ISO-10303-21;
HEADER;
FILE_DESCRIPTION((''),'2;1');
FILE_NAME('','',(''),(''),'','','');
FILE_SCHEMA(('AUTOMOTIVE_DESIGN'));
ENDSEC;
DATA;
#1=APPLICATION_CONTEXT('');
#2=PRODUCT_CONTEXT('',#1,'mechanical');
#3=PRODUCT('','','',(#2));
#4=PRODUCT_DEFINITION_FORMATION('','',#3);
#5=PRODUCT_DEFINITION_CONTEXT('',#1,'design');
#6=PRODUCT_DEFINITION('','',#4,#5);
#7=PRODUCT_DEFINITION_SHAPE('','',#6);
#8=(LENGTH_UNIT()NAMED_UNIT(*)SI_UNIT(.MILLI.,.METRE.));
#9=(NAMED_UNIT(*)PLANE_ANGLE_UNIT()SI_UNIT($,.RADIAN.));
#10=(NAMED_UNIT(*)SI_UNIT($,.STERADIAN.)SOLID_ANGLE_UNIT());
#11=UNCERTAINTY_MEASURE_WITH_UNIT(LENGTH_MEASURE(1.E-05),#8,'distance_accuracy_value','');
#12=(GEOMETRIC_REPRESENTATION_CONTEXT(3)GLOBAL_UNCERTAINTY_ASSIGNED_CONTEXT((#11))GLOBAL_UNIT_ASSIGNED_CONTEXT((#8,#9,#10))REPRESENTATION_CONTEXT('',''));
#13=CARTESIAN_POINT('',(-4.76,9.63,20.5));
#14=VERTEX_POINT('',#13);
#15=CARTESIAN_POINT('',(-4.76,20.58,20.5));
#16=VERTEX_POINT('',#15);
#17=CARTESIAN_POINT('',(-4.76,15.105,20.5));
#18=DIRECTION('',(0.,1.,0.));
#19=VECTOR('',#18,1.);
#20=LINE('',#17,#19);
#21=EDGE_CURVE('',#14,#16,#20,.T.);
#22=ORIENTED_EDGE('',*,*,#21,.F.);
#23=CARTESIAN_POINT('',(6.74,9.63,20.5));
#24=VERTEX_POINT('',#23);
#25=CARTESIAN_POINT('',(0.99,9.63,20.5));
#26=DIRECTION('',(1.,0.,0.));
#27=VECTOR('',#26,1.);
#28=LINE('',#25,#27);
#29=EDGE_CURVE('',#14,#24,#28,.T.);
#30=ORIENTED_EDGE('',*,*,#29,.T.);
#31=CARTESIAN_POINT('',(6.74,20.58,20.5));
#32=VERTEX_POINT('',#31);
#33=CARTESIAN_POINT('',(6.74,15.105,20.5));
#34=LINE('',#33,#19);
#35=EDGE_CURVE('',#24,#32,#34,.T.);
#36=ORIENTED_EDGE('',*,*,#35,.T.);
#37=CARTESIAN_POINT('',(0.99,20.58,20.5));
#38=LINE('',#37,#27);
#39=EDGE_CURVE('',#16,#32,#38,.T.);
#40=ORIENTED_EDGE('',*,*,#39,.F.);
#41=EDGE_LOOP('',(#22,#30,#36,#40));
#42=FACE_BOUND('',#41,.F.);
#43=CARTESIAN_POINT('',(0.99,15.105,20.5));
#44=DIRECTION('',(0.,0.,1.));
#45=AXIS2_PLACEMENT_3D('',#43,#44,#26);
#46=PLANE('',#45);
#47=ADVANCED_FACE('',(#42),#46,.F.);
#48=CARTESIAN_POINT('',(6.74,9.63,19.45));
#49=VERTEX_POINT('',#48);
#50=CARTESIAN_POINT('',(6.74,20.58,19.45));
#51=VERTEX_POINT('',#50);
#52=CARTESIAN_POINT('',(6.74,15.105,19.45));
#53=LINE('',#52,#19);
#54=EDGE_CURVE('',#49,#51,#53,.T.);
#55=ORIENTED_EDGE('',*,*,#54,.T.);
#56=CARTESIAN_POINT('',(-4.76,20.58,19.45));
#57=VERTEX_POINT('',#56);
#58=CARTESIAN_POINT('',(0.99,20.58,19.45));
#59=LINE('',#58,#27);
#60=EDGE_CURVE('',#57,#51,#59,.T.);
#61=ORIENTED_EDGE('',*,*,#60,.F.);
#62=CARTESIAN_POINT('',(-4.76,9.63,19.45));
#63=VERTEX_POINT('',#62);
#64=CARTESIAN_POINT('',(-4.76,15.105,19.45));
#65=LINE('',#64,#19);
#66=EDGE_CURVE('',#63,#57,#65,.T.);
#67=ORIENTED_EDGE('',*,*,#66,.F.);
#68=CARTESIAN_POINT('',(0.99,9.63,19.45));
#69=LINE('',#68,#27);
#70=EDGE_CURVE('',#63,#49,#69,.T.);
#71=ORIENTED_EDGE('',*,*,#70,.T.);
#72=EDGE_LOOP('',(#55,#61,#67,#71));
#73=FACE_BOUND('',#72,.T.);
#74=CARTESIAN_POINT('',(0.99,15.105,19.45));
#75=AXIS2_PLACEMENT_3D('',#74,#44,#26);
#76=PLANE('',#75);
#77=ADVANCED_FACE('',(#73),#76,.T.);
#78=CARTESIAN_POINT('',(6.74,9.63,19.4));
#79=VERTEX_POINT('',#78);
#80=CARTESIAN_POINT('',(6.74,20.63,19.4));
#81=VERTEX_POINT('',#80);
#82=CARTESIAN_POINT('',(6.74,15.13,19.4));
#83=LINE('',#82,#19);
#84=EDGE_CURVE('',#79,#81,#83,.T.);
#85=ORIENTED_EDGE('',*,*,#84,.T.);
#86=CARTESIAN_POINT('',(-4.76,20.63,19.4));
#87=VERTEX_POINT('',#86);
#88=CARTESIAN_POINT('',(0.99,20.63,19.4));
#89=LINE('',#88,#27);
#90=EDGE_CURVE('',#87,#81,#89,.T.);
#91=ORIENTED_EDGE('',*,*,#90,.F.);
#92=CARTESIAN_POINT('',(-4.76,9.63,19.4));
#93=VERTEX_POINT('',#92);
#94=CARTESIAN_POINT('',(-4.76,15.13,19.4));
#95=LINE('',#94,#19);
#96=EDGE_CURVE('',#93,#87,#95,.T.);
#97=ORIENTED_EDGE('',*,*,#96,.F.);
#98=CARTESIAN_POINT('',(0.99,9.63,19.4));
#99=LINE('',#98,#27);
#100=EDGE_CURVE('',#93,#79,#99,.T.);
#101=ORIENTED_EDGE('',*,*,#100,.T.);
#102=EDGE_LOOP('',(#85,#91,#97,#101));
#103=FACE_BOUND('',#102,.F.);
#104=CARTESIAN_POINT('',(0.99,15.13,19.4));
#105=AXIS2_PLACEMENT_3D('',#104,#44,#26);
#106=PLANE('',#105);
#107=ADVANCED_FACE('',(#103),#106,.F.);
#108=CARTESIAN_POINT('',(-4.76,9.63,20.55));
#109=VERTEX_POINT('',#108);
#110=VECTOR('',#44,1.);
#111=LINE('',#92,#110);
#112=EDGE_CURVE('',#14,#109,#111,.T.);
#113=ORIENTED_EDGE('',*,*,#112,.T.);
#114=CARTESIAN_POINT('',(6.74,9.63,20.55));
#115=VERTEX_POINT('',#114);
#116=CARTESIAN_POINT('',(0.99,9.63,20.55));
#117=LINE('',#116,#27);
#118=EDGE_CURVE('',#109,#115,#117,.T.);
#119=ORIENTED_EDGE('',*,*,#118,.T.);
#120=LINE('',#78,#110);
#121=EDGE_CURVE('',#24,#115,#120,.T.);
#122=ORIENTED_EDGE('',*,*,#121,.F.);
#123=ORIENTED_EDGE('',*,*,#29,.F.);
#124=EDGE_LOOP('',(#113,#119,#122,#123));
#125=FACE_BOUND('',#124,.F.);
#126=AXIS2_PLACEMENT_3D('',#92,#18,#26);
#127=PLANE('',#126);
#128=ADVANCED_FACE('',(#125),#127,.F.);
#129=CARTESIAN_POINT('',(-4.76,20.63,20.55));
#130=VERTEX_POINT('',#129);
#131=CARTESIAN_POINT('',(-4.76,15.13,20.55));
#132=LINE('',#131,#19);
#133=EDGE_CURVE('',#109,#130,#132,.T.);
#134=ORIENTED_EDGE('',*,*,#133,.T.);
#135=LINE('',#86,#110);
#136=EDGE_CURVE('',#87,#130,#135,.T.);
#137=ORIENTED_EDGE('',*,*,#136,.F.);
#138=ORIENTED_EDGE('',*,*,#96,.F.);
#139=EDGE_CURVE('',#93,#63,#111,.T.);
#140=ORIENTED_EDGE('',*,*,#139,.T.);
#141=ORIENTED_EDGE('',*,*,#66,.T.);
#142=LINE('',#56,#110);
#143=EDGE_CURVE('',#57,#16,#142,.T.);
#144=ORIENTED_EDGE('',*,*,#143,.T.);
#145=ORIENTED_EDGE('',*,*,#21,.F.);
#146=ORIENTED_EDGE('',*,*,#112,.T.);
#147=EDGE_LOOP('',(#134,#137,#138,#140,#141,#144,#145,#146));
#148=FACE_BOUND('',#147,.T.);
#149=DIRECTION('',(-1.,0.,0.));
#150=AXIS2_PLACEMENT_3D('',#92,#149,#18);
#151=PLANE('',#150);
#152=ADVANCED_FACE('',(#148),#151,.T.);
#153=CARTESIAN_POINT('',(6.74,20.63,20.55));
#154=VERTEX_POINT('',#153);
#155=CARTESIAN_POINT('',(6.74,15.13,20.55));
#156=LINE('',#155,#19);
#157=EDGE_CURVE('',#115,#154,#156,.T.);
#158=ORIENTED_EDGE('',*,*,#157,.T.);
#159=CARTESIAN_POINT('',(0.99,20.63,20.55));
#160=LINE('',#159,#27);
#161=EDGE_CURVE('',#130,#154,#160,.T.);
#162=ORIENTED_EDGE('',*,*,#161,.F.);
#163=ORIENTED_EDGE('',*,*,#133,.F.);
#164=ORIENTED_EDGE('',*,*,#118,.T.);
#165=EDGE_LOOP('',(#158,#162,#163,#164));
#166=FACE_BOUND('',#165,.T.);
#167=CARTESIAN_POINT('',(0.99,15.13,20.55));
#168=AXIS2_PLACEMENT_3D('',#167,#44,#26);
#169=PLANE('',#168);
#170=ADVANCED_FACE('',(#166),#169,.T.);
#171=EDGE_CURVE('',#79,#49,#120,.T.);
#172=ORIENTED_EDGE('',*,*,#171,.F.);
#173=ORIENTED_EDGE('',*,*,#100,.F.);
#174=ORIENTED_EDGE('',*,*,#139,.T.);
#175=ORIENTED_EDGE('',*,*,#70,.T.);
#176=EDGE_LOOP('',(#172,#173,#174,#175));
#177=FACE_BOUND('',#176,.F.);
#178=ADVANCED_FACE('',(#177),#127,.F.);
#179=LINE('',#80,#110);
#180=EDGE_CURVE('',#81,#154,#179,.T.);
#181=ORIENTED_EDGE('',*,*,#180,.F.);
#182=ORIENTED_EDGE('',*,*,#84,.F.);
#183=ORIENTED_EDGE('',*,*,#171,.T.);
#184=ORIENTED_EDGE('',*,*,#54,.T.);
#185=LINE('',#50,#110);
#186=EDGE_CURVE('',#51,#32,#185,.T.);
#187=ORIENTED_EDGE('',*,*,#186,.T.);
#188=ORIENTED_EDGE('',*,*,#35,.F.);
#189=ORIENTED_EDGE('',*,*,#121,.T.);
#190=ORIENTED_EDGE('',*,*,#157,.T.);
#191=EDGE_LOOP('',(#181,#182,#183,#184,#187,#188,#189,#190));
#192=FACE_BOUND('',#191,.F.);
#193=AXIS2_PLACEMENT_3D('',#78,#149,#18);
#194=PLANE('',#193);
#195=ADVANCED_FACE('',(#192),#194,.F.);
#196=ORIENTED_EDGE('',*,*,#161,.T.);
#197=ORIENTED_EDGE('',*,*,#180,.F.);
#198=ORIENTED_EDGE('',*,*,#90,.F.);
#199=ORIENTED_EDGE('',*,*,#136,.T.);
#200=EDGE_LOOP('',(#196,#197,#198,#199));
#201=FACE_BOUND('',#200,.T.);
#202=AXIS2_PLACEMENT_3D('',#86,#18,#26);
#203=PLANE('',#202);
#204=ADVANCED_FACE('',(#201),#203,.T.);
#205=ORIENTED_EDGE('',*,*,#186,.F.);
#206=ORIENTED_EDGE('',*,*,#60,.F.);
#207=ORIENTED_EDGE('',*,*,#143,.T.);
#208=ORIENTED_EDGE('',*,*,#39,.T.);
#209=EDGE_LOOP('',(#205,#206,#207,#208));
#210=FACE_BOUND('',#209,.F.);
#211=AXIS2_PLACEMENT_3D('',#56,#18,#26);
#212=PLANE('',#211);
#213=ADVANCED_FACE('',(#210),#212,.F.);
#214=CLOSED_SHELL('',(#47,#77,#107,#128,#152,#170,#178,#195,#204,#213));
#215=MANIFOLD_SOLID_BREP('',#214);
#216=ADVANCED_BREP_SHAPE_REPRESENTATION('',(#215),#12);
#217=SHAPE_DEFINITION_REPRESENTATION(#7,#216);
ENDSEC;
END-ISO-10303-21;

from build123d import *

# Parameters (mm, degrees)
BOX069_W     = 11.5
BOX069_H     = 10.95
BOX069_DEPTH = 1.05
BOX068_W     = 11.5
BOX068_H     = 11
BOX068_DEPTH = 1.15


with BuildPart() as small_cu_gnd_electrode020:
    # Box069 → Box069 (new body)
    with BuildSketch(Plane.XY.offset(0.05)):
        with Locations((5.75, 5.475)):
            Rectangle(BOX069_W, BOX069_H)
    extrude(amount=BOX069_DEPTH)


with BuildPart() as large_cu_electrode_short_axis_gnd001:
    # Box068 → Box068 (new body)
    with BuildSketch(Plane.XY):
        with Locations((5.75, 5.5)):
            Rectangle(BOX068_W, BOX068_H)
    extrude(amount=BOX068_DEPTH)

    # Cut017: cut Small Cu GND Electrode020
    add(small_cu_gnd_electrode020.part, mode=Mode.SUBTRACT)


with BuildPart() as large_cu_electrode_short_axis_gnd001_1:
    # Cut017 placement: moved
    add(large_cu_electrode_short_axis_gnd001.part.moved(Location((-4.76, 9.63, 19.4))))


solid = large_cu_electrode_short_axis_gnd001_1.part
